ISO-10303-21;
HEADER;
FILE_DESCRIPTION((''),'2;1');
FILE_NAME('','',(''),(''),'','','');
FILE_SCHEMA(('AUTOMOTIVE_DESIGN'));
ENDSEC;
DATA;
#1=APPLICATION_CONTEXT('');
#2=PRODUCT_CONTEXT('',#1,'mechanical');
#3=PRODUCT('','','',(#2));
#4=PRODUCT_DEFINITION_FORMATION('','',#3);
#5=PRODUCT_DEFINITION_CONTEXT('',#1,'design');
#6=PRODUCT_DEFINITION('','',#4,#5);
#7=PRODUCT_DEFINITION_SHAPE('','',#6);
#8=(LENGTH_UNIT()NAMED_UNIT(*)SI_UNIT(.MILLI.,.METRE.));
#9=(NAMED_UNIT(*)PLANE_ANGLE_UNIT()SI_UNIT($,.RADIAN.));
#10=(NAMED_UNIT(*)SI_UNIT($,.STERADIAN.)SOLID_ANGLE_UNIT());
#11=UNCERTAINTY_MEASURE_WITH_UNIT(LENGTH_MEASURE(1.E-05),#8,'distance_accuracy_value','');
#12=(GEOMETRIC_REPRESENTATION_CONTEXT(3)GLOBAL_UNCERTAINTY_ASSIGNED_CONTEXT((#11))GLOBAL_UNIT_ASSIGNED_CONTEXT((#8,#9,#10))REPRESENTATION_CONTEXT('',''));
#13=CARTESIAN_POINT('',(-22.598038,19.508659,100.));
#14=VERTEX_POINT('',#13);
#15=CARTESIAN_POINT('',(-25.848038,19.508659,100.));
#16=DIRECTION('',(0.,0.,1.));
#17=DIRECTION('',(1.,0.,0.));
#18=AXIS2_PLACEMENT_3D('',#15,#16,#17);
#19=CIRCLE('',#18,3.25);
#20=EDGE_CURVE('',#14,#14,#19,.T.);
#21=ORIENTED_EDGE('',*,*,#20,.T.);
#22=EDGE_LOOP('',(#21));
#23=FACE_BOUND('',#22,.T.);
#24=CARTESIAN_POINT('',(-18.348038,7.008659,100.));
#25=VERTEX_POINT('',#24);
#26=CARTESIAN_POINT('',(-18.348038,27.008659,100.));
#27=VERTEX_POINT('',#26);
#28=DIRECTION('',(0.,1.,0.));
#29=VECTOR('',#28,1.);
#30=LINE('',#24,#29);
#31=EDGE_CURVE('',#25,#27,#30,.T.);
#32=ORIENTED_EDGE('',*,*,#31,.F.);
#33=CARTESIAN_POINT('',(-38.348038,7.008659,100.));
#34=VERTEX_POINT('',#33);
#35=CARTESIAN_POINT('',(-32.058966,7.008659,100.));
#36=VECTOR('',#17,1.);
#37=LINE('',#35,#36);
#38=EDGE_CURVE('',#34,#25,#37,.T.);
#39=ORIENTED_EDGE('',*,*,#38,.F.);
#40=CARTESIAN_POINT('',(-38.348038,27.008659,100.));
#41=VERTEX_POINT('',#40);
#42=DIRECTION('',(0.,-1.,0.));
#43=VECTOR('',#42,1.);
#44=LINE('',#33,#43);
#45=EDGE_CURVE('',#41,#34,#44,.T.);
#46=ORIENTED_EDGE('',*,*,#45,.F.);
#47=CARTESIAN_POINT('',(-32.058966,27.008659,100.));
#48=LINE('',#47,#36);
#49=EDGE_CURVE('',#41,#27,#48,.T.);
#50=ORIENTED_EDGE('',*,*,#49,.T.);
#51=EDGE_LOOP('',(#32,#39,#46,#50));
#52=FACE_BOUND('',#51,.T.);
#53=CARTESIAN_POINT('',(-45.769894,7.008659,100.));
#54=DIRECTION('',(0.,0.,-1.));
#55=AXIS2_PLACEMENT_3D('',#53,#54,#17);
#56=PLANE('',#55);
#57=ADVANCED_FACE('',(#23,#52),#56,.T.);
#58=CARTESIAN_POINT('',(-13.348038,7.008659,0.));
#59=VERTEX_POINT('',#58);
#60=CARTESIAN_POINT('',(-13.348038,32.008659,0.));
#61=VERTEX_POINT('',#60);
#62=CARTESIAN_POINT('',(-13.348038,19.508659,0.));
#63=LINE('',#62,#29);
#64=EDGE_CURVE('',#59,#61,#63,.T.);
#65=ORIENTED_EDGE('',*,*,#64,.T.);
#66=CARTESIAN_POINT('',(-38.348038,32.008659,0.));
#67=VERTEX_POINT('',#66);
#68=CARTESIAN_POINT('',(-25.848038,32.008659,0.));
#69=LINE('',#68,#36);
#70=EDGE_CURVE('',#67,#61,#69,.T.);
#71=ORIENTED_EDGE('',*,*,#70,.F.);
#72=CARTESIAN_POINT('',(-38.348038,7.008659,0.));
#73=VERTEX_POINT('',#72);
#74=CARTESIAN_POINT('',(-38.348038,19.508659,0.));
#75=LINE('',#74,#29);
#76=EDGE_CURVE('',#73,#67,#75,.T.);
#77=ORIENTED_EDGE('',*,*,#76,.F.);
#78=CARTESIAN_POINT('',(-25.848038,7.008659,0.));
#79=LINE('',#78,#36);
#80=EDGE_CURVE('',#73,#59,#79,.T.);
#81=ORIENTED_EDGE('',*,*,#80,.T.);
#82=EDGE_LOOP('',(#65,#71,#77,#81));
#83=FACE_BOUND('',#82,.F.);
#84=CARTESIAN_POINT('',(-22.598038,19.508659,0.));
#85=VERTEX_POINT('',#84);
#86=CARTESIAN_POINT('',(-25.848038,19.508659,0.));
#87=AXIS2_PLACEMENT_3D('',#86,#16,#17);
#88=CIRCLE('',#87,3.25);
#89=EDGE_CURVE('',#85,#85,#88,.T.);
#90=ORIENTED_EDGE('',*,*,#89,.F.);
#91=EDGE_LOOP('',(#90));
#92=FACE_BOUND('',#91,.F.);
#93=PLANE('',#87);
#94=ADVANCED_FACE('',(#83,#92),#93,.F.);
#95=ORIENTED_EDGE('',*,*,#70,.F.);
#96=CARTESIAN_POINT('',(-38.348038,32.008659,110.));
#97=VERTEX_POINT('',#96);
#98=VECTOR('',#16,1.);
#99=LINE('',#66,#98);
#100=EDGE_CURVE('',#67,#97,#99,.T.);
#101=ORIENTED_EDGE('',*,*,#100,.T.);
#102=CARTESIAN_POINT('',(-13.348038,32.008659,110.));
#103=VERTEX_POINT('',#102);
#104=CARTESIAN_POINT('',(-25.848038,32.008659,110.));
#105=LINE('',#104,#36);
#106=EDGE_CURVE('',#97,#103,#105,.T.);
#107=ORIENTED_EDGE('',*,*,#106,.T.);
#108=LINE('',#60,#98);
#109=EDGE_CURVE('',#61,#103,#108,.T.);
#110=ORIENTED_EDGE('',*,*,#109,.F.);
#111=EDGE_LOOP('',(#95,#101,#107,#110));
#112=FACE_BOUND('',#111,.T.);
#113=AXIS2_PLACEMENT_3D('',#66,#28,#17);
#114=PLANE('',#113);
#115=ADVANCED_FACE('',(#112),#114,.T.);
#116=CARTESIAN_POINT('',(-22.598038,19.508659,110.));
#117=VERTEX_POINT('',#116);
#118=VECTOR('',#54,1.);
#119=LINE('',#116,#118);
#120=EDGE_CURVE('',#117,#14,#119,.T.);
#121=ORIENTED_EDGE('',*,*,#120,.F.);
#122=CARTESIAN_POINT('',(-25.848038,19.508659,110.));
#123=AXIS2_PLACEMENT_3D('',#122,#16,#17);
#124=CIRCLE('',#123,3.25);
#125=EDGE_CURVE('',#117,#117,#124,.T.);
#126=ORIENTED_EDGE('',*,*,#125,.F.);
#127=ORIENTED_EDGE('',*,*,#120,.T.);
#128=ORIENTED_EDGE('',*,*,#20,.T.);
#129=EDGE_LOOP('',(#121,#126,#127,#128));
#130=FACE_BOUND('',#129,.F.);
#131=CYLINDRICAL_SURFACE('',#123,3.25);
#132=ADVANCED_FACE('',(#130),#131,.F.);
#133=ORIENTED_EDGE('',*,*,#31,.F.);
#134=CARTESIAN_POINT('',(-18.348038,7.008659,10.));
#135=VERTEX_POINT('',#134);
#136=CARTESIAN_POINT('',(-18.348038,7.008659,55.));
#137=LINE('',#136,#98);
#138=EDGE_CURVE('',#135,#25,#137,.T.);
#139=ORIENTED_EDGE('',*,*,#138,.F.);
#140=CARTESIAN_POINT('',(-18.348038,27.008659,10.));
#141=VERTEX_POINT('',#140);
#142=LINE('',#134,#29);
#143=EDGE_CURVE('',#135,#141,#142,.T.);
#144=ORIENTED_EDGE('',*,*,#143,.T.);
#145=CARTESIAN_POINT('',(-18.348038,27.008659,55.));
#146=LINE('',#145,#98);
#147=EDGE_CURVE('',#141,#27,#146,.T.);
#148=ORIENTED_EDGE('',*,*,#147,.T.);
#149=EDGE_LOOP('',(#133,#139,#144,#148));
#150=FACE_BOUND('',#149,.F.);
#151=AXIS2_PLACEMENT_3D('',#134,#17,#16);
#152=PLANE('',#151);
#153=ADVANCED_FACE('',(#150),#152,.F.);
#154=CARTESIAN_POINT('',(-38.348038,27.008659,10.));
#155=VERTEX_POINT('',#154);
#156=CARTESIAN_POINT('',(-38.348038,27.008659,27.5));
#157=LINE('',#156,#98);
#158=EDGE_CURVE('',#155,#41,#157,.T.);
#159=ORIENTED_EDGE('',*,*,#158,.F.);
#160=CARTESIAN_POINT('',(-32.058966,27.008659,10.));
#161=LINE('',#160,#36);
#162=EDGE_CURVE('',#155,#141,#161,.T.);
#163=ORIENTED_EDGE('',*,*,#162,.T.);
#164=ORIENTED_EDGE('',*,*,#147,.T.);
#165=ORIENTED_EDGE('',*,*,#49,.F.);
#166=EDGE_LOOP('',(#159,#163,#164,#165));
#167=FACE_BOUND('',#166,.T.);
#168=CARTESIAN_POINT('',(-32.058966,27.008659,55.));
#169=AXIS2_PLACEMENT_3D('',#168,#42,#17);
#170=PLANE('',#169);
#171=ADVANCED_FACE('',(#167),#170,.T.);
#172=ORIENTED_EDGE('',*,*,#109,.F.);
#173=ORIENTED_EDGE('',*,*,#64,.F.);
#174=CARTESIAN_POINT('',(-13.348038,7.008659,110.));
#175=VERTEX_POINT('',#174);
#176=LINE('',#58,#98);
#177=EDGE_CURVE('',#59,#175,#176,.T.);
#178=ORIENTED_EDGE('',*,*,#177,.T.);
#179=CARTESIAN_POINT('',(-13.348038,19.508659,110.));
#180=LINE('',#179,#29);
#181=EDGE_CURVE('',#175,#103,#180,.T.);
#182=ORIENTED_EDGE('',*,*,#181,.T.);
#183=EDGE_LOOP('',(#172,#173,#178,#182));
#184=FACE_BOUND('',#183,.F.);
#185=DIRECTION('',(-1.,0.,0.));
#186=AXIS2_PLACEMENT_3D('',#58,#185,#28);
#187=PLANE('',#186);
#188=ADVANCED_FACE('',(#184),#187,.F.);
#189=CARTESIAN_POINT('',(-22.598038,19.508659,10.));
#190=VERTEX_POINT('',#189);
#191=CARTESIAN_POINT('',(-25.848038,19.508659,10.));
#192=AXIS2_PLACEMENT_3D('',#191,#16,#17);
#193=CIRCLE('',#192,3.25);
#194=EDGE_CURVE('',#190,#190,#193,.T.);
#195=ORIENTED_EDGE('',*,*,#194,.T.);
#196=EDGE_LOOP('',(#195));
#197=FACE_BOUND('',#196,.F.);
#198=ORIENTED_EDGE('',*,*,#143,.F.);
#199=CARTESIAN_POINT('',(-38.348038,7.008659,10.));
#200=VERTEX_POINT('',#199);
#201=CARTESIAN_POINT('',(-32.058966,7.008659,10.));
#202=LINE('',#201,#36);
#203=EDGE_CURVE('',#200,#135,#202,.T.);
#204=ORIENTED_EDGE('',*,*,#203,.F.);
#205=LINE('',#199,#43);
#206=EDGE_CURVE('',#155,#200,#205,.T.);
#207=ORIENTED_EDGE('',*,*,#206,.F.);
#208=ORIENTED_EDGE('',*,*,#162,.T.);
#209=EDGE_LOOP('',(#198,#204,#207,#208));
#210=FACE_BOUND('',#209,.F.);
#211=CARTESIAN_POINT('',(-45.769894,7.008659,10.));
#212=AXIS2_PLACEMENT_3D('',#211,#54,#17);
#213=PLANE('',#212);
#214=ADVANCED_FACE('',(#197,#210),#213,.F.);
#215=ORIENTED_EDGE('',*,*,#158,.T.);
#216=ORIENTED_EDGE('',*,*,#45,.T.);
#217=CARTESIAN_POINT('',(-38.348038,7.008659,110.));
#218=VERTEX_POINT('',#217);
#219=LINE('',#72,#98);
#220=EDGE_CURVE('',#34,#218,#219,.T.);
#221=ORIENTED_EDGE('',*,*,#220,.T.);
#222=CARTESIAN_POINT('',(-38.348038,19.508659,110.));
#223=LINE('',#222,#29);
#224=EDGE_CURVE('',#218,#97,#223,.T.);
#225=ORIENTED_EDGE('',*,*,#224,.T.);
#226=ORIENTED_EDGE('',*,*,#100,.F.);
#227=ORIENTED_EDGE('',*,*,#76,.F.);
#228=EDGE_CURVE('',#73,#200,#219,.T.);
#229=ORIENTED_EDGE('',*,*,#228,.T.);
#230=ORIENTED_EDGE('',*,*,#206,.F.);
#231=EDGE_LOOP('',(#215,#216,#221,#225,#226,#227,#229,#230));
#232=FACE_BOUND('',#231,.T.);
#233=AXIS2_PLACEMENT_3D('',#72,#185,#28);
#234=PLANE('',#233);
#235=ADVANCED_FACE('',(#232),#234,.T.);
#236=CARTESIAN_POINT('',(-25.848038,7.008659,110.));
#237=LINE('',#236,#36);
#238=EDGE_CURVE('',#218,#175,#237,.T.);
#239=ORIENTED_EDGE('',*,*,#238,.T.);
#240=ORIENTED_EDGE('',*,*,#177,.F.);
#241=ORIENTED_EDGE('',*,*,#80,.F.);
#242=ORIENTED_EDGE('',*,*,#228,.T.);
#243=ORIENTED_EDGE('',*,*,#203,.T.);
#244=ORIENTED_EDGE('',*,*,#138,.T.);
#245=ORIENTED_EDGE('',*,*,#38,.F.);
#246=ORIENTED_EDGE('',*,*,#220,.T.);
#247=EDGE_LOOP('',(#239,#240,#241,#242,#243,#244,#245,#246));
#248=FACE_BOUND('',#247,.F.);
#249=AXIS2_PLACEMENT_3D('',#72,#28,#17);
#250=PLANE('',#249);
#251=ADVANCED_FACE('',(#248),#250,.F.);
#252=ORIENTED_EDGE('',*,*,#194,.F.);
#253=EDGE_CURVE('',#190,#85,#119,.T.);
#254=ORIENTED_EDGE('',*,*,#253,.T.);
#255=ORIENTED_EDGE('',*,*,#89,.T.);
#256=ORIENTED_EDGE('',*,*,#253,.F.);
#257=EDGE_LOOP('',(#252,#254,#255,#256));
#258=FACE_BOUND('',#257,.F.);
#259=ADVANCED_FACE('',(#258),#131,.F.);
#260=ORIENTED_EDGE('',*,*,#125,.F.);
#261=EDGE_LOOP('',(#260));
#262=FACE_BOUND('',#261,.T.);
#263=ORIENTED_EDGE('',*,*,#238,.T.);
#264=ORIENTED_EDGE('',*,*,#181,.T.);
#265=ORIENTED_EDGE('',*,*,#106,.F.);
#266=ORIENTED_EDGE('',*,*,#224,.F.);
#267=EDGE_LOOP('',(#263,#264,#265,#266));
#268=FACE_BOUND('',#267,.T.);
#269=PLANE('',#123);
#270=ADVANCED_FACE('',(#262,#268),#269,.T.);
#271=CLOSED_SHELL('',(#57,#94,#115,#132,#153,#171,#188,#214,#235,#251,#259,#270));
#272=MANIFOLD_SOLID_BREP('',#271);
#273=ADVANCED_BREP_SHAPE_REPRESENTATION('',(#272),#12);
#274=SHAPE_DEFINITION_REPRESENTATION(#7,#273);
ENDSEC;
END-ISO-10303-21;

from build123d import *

# Parameters (mm, degrees)
F0_W     = 25
F0_H     = 25
F1_DEPTH = 110
F2_W     = 27.421856
F2_H     = 90
F3_DEPTH = 20
F4_R     = 3.25
F5_DEPTH = 110.001


with BuildPart() as f1:
    # F0 (on Top) → F1 (new body)
    with BuildSketch(Plane.XY):
        with Locations((-25.848038, 19.508659)):
            Rectangle(F0_W, F0_H)
    extrude(amount=F1_DEPTH)

    # F2 (on face) → F3 (cut)
    with BuildSketch(Plane.XZ.offset(-7.008659)):
        with Locations((-32.058966, 55)):
            Rectangle(F2_W, F2_H)
    extrude(amount=-F3_DEPTH, mode=Mode.SUBTRACT)

    # F4 (on face) → F5 (cut, through all)
    with BuildSketch(Plane.XY.offset(110)):
        with Locations((-25.848038, 19.508659)):
            Circle(F4_R)
    extrude(amount=-F5_DEPTH, mode=Mode.SUBTRACT)


solid = f1.part
